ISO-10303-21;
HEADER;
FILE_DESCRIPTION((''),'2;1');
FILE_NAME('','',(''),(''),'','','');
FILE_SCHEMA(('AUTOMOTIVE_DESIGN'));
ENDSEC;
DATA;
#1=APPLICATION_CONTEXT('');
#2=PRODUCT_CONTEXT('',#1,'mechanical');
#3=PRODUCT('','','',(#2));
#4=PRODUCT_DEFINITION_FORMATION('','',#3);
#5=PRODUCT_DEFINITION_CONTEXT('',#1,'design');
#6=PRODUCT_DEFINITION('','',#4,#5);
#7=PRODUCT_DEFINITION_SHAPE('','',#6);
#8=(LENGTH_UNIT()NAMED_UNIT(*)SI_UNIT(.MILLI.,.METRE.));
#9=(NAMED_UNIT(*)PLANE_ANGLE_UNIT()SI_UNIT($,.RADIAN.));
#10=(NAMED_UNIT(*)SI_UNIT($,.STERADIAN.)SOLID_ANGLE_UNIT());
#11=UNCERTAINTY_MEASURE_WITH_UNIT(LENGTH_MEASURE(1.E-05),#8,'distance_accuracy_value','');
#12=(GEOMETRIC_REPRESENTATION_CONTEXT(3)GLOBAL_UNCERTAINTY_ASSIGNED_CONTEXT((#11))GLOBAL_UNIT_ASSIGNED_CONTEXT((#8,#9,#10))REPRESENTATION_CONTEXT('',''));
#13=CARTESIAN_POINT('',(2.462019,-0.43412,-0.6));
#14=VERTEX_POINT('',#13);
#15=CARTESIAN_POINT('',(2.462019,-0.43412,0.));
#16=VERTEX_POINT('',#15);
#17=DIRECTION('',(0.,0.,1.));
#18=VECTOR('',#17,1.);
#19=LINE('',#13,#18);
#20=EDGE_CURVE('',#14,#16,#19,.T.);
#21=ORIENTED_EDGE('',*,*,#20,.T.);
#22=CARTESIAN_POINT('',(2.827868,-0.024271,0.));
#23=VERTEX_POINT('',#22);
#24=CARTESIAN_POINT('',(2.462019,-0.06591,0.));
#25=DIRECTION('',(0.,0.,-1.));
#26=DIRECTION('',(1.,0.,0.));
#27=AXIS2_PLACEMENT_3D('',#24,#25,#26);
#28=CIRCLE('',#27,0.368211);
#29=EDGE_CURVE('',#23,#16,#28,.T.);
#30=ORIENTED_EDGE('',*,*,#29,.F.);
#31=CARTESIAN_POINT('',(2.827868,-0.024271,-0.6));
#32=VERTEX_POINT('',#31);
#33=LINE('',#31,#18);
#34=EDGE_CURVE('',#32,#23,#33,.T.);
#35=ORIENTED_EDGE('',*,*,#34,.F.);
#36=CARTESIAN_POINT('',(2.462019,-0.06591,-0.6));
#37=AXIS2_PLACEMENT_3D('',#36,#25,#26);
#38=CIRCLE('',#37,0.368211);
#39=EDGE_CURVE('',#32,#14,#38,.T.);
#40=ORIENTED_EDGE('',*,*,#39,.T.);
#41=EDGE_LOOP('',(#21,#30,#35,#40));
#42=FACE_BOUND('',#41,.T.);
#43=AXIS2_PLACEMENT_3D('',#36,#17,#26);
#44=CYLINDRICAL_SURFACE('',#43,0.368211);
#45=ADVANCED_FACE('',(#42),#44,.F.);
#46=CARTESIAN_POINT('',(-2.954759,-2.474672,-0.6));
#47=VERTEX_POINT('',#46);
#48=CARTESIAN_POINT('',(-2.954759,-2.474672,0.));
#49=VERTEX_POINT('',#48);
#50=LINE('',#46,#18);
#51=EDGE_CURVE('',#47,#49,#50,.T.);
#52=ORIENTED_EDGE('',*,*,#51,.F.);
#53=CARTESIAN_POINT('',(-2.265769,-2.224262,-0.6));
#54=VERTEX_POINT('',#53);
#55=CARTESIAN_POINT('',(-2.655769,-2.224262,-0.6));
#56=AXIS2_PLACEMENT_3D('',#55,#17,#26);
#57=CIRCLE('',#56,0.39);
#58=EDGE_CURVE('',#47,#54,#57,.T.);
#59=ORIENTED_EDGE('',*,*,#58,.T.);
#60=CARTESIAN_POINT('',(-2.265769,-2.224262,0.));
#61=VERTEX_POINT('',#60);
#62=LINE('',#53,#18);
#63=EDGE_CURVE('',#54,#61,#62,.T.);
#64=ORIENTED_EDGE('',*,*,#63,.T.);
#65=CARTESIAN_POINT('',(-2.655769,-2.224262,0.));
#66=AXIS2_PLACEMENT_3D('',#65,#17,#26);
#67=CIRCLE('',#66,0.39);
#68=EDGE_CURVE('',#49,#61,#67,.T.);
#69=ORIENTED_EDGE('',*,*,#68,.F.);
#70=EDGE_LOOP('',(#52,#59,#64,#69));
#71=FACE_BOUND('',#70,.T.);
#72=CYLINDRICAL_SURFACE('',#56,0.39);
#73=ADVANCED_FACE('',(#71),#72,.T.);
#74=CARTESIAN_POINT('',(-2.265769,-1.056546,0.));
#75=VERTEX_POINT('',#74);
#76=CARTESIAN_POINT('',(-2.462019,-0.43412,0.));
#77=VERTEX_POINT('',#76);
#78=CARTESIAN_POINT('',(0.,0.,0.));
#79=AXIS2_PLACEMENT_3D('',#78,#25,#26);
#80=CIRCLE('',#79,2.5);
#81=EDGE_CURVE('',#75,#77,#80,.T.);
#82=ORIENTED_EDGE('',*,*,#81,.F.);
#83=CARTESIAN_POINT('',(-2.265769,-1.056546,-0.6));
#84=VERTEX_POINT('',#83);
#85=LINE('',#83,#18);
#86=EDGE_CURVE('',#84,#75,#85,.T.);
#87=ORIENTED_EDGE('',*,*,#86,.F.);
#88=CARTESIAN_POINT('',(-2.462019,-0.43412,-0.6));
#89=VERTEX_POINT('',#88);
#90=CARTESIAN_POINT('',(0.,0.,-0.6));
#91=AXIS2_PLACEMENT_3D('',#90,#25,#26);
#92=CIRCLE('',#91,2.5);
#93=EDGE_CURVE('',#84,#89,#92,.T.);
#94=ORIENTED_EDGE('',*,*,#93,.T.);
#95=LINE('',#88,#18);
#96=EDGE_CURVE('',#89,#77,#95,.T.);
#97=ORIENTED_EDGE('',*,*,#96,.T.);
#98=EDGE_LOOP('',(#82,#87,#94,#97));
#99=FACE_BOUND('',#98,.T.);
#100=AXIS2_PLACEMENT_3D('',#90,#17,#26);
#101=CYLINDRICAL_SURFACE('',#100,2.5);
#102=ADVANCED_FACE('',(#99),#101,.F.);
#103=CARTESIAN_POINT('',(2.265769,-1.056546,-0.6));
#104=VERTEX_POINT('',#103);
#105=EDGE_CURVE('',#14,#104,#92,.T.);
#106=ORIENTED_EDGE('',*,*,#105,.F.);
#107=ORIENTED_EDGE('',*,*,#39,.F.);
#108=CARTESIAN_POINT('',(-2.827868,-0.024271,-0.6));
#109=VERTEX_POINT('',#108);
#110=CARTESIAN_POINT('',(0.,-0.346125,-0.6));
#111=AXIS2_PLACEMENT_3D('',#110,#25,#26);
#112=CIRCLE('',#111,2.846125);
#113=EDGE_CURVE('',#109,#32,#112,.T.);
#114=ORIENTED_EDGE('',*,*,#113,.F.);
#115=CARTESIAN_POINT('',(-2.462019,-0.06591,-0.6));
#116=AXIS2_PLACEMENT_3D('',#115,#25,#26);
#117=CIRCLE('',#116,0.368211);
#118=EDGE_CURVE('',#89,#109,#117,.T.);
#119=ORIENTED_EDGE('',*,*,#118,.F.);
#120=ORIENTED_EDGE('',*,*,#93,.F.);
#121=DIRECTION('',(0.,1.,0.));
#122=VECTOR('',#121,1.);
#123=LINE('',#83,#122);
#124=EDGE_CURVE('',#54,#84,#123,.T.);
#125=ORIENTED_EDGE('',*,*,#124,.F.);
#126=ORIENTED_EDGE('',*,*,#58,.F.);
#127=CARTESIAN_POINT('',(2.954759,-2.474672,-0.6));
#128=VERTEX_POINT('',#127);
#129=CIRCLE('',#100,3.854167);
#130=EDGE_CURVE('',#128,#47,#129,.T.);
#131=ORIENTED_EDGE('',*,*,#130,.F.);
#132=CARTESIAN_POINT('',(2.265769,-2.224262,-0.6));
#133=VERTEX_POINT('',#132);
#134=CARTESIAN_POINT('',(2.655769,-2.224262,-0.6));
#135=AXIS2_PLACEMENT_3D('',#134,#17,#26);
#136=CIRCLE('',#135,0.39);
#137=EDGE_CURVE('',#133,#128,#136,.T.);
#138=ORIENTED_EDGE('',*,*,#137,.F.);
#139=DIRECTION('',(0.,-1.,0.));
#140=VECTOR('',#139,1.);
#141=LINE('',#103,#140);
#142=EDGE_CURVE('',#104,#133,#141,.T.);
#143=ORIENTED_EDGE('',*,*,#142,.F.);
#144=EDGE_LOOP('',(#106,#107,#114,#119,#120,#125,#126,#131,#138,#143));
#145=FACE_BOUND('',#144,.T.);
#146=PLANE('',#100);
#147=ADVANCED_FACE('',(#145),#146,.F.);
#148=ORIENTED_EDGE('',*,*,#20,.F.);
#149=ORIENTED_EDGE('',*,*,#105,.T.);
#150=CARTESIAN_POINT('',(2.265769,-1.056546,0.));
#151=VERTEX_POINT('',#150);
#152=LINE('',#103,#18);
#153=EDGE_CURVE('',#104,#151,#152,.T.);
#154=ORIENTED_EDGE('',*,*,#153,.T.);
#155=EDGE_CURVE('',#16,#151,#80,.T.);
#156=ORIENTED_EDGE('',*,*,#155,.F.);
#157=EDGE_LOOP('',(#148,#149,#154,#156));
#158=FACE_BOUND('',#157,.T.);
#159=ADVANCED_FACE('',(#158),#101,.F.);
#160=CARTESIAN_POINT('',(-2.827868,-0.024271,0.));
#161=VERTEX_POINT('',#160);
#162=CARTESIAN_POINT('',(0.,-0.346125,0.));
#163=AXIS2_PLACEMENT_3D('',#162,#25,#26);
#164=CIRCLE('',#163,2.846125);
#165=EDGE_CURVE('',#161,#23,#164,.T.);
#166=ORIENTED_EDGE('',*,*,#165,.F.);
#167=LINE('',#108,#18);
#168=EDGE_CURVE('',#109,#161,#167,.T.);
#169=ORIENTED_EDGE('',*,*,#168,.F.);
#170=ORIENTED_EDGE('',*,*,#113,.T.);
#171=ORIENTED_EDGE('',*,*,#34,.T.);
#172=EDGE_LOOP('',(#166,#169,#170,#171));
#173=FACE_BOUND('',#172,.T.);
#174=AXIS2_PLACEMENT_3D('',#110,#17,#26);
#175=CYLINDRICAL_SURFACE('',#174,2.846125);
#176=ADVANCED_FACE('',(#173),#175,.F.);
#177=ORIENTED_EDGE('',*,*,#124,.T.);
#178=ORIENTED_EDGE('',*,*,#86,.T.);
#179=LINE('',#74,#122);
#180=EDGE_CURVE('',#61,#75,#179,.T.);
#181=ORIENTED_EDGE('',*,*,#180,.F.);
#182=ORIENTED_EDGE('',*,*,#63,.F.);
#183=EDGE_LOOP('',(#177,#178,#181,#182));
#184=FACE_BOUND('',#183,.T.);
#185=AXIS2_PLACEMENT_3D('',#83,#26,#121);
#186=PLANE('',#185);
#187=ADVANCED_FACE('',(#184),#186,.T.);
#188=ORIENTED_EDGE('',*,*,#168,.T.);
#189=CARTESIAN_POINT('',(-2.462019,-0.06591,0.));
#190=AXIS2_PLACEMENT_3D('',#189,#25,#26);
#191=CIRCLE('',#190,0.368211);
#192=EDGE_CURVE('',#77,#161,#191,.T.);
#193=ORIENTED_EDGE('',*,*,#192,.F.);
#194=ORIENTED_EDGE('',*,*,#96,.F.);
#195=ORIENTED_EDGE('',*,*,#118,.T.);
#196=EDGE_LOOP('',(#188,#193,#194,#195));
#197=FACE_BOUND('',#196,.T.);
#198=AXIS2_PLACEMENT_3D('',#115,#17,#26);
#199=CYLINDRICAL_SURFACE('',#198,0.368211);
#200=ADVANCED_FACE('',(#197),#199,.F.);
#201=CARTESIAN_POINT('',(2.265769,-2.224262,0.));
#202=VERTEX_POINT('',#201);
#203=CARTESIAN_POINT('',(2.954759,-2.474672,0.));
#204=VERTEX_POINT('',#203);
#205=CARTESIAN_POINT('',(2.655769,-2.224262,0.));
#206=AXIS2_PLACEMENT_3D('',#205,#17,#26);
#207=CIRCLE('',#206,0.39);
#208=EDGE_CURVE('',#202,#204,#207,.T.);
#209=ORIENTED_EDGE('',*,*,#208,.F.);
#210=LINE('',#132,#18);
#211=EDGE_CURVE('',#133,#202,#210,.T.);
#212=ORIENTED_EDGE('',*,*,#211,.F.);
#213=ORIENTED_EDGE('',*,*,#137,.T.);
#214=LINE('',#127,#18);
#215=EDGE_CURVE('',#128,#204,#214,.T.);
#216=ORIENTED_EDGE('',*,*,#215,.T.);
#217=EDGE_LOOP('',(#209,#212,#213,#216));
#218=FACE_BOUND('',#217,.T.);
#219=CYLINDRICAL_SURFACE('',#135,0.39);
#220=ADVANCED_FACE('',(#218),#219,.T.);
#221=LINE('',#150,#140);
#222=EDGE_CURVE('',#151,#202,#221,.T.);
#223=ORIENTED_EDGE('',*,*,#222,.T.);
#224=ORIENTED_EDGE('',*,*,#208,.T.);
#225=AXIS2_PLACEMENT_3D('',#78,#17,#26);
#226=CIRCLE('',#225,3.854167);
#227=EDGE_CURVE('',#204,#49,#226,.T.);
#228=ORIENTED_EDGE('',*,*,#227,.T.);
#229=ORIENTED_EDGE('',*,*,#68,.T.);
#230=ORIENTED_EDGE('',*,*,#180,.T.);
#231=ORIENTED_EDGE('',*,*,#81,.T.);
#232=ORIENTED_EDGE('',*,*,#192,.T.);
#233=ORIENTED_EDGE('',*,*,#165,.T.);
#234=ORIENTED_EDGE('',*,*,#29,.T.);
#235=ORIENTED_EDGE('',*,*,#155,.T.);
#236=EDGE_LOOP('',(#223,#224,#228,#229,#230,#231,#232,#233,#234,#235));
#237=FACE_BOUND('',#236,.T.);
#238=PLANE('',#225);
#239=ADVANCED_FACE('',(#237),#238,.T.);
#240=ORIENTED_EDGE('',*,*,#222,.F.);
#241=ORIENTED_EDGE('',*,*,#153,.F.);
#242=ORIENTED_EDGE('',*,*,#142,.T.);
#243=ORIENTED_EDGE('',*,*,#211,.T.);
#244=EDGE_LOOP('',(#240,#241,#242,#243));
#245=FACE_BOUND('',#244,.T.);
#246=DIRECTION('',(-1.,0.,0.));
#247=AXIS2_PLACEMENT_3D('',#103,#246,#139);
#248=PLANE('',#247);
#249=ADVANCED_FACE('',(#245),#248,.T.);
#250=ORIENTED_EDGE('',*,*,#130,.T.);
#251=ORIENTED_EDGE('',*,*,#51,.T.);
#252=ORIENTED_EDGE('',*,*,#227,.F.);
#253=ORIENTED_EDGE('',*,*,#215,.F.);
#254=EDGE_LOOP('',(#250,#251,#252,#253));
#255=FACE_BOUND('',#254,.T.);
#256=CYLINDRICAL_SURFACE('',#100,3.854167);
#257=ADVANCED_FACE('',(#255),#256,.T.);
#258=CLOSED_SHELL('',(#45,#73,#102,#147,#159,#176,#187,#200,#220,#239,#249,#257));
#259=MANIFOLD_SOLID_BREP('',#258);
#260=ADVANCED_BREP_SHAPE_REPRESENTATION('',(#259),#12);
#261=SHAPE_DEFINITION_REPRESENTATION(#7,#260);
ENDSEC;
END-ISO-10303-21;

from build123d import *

# Parameters (mm, degrees)
BODY_DEPTH = 0.6


with BuildPart() as part:
    # BodySke → Body (new body)
    with BuildSketch(Plane.XY):
        with BuildLine():
            Line((2.265769468, -1.056545654), (2.265769468, -2.224261502))
            ThreePointArc((2.265769468, -2.224261502), (2.522551556, -2.590803434), (2.95475915, -2.474671505))
            ThreePointArc((2.95475915, -2.474671505), (0, 3.854166667), (-2.95475915, -2.474671505))
            ThreePointArc((-2.95475915, -2.474671505), (-2.522551556, -2.590803434), (-2.265769468, -2.224261502))
            Line((-2.265769468, -2.224261502), (-2.265769468, -1.056545654))
            ThreePointArc((-2.265769468, -1.056545654), (-2.384292377, -0.751764499), (-2.462019383, -0.434120444))
            ThreePointArc((-2.462019383, -0.434120444), (-2.736711011, -0.311110876), (-2.82786799, -0.024270764))
            ThreePointArc((-2.82786799, -0.024270764), (0, 2.5), (2.82786799, -0.024270764))
            ThreePointArc((2.82786799, -0.024270764), (2.736711011, -0.311110876), (2.462019383, -0.434120444))
            ThreePointArc((2.462019383, -0.434120444), (2.384292377, -0.751764499), (2.265769468, -1.056545654))
        make_face()
    extrude(amount=-BODY_DEPTH)


solid = part.part
